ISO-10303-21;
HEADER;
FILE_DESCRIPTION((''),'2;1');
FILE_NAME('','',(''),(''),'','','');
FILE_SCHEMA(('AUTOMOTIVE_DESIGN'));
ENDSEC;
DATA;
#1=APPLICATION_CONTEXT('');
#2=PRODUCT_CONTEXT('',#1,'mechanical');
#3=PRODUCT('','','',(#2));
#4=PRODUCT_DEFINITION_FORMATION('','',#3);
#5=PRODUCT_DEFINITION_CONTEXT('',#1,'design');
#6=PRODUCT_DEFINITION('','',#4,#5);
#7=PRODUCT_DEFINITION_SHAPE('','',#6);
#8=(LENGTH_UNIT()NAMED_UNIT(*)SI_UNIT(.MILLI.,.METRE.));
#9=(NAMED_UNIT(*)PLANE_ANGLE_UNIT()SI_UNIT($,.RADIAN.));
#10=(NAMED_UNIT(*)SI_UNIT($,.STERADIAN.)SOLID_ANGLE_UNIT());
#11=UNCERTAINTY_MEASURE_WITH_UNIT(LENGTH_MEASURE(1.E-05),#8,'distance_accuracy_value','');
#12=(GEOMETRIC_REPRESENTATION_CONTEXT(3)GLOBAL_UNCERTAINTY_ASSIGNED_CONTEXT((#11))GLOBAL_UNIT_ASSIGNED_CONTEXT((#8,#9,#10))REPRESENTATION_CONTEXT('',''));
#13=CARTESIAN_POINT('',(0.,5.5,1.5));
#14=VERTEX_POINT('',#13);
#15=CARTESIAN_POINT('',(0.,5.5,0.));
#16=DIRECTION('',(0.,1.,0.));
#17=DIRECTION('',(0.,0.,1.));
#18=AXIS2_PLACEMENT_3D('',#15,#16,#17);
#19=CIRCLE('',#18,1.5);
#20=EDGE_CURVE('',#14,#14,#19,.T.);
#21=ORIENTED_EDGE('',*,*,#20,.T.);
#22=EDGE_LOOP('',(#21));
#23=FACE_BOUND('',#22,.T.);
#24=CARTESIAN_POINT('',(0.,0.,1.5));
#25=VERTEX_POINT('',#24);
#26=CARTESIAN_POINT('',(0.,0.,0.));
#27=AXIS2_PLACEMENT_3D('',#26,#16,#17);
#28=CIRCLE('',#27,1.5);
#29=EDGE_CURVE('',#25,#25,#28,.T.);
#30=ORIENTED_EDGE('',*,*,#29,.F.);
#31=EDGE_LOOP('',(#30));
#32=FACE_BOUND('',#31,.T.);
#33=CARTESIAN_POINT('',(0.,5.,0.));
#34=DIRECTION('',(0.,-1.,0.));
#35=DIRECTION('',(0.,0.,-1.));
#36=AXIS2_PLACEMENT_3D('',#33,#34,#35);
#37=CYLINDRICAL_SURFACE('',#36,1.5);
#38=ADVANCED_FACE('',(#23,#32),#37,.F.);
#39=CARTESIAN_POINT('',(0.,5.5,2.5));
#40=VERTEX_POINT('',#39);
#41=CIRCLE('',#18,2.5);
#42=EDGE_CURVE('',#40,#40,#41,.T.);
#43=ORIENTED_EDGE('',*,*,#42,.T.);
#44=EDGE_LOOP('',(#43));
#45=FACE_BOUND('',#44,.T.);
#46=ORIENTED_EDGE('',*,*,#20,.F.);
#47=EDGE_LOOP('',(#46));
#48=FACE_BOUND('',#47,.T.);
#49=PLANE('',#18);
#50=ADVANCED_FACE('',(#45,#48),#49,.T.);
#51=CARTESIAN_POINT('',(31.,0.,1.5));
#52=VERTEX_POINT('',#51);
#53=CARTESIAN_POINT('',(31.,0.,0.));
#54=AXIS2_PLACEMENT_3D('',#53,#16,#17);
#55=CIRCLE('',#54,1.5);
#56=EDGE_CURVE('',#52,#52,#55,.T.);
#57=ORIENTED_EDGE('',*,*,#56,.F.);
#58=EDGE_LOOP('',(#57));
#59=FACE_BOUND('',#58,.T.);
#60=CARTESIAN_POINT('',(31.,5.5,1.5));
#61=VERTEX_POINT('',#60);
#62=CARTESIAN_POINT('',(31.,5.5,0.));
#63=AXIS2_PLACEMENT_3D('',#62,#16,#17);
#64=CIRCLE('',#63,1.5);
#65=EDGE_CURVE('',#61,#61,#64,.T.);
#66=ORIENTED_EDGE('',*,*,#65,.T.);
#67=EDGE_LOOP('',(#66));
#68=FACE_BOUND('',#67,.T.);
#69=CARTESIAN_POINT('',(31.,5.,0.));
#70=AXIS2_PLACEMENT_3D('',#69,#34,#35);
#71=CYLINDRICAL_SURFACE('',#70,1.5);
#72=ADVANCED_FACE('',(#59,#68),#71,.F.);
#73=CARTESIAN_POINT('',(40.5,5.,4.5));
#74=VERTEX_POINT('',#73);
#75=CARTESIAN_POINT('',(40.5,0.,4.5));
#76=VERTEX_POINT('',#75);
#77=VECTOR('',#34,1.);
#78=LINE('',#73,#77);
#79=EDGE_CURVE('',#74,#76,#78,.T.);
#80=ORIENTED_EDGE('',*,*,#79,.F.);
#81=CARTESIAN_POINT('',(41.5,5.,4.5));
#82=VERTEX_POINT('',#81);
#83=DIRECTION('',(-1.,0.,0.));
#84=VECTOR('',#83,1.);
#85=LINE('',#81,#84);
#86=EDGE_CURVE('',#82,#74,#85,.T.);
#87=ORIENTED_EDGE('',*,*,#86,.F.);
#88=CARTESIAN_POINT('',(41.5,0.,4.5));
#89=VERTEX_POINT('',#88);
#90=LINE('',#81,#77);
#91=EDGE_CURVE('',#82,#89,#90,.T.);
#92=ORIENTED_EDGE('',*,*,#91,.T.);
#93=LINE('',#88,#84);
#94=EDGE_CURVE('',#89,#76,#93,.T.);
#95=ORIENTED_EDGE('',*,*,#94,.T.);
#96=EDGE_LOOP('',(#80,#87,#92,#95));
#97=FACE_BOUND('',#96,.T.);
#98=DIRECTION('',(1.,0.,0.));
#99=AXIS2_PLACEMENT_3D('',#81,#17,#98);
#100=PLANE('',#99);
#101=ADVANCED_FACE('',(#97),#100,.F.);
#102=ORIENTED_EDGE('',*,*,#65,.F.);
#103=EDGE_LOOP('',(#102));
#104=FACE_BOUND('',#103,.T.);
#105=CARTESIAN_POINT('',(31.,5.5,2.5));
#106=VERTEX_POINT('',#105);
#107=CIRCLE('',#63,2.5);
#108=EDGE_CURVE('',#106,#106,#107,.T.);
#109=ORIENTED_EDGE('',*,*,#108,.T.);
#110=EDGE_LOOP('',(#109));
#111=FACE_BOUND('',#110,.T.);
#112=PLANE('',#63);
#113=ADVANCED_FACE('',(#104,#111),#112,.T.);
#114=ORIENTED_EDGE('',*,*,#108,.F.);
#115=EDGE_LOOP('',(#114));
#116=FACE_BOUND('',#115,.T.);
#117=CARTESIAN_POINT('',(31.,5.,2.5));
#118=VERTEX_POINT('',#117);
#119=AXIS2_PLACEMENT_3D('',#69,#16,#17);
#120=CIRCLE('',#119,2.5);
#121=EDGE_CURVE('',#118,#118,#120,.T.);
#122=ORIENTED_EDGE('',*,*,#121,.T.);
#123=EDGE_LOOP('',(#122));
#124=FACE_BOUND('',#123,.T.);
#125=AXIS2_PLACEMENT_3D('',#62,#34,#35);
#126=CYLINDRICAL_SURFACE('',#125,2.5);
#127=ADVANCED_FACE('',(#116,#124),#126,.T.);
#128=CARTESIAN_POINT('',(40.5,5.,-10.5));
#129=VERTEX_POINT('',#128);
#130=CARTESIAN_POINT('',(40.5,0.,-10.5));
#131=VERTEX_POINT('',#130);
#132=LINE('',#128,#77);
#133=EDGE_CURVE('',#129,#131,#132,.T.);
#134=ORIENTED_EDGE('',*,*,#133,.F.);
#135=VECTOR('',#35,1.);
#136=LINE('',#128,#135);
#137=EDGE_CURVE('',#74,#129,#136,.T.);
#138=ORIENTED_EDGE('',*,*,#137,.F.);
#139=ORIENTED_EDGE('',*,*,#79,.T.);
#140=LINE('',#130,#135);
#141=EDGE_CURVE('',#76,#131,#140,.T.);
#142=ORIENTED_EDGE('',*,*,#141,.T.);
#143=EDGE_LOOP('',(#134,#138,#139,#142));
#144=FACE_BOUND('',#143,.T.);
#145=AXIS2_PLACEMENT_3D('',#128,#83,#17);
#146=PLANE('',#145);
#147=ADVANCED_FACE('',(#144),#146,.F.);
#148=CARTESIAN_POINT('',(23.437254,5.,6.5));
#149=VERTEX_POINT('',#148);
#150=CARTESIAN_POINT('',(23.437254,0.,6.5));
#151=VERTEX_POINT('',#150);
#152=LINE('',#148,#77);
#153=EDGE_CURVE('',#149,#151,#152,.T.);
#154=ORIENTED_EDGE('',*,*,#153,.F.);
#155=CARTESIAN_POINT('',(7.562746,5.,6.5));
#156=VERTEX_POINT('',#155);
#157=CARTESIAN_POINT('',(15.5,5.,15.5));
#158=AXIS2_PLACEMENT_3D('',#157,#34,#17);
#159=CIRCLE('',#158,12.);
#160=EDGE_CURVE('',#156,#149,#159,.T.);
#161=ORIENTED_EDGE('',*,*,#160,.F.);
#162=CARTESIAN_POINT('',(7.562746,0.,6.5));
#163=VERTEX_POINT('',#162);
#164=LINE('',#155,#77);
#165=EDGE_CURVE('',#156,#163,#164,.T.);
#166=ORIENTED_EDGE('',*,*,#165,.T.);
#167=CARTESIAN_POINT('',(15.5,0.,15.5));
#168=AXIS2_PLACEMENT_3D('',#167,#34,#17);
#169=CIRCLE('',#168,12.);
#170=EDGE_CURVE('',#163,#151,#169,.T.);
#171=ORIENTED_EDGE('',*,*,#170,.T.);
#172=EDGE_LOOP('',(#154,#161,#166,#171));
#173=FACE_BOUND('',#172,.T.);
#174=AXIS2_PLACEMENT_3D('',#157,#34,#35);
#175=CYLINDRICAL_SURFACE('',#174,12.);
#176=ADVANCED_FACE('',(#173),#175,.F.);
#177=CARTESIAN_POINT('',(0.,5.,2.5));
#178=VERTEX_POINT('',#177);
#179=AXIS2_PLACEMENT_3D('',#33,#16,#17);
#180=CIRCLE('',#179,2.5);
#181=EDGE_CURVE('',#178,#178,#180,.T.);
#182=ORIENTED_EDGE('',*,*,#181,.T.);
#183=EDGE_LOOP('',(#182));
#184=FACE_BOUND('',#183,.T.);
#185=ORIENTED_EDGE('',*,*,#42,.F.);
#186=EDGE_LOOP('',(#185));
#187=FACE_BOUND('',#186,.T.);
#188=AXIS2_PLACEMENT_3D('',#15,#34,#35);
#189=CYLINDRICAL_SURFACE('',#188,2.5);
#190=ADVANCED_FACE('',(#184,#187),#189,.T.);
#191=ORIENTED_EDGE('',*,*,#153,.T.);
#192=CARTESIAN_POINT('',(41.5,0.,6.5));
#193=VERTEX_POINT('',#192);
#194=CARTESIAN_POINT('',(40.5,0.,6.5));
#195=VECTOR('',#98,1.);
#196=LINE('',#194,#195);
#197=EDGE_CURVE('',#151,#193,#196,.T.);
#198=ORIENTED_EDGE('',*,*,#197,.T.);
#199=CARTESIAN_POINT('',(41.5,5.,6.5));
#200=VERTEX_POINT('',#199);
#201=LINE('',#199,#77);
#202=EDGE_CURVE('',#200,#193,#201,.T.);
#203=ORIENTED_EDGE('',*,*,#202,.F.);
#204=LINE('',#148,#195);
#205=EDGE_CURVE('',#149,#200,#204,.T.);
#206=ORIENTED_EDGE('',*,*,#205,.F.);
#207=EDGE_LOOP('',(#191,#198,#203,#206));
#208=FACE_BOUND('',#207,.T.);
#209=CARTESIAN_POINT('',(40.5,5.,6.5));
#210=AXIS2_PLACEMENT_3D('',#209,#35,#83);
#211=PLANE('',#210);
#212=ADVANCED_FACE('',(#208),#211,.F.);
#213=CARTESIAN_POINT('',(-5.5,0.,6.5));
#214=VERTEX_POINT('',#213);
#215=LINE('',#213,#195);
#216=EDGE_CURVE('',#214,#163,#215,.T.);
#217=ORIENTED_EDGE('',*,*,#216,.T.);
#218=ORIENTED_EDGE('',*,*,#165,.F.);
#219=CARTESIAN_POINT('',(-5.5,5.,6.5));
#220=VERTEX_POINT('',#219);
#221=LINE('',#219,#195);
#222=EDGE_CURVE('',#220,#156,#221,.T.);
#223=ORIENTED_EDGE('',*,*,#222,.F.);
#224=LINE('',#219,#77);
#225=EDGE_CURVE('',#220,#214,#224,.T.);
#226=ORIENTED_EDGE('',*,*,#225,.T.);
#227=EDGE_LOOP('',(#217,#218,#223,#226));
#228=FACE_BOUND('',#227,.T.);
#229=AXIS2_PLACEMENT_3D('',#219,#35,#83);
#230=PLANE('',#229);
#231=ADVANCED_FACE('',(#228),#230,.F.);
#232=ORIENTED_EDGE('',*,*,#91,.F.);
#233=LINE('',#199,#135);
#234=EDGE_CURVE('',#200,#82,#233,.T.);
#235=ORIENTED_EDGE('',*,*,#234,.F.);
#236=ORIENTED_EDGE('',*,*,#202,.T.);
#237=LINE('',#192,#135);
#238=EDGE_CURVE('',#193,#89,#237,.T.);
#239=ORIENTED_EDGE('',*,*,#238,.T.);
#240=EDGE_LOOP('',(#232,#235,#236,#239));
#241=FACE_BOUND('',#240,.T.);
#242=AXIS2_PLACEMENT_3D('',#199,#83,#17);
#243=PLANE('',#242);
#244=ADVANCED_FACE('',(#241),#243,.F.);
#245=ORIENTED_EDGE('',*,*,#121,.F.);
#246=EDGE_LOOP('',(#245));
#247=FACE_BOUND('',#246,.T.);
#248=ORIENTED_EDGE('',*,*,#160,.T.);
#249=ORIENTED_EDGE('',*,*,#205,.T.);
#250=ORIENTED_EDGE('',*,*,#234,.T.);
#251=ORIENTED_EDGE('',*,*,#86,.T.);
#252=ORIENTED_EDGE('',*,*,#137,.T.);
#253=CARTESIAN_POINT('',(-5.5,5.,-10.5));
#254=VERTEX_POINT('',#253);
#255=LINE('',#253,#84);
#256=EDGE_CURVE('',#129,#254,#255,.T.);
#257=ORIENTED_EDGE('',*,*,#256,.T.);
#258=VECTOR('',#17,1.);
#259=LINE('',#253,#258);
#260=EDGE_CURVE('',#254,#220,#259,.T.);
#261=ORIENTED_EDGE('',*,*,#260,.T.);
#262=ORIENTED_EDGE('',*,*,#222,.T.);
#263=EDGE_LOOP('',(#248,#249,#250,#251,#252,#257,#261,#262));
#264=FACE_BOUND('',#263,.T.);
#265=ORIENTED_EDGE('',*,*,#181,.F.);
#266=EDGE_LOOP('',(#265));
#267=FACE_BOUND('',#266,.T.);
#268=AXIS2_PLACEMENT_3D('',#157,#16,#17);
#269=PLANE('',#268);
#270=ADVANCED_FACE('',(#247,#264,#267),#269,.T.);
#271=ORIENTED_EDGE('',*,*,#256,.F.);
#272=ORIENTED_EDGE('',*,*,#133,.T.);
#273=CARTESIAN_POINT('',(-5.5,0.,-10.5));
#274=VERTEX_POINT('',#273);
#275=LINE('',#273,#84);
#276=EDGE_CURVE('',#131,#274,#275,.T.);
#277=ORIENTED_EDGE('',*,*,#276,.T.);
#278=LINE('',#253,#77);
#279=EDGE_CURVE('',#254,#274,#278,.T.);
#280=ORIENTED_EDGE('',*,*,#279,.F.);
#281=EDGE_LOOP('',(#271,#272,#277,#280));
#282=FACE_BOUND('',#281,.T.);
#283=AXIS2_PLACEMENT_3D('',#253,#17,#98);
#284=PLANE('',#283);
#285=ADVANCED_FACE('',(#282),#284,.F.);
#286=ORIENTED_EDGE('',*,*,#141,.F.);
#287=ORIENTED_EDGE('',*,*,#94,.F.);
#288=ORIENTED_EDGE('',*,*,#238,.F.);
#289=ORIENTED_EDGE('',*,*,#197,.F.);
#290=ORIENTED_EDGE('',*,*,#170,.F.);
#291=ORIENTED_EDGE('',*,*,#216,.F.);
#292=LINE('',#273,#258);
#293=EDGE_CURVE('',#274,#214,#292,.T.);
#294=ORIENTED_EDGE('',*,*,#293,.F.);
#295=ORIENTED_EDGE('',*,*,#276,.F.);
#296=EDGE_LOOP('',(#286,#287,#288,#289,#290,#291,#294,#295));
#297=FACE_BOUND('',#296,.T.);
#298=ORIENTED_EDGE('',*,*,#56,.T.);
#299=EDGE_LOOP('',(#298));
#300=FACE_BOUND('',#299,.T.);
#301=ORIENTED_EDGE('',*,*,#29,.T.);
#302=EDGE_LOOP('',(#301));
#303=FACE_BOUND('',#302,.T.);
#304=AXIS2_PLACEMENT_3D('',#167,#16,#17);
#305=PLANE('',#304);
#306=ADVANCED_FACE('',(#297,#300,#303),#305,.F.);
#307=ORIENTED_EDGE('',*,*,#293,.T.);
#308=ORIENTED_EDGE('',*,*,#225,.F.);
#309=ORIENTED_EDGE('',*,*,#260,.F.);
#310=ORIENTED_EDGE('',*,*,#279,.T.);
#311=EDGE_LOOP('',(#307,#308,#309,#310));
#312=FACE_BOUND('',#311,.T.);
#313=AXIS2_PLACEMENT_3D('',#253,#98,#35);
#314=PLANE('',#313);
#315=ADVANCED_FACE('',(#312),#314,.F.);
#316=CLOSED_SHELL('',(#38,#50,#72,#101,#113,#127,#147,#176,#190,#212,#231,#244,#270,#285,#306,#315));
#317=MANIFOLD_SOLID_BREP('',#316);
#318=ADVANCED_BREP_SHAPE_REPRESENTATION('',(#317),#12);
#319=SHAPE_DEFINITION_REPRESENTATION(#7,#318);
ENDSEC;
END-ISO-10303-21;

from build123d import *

# Parameters (mm, degrees)
SKETCH1_R           = 1.5
BOSS_EXTRUDE1_DEPTH = 5
SKETCH2_R           = 2.5
SKETCH2_R_2         = 1.5
BOSS_EXTRUDE2_DEPTH = 0.5


with BuildPart() as part:
    # Sketch1 → Boss-Extrude1 (new body)
    with BuildSketch(Plane(origin=(0, 0, 0), x_dir=(1, 0, 0), z_dir=(0, 1, 0))):
        with BuildLine():
            Line((40.5, -6.5), (41.5, -6.5))
            Line((41.5, -6.5), (41.5, -4.5))
            Line((41.5, -4.5), (40.5, -4.5))
            Line((40.5, -4.5), (40.5, 10.5))
            Line((40.5, 10.5), (-5.5, 10.5))
            Line((-5.5, 10.5), (-5.5, -6.5))
            Line((-5.5, -6.5), (7.562746067, -6.5))
            ThreePointArc((7.562746067, -6.5), (15.5, -3.5), (23.437253933, -6.5))
            Line((23.437253933, -6.5), (40.5, -6.5))
        make_face()
        with Locations(Location((0, 0, 0), (0, 0, 270))):
            Circle(SKETCH1_R, mode=Mode.SUBTRACT)
        with Locations(Location((31, 0, 0), (0, 0, 270))):
            Circle(SKETCH1_R, mode=Mode.SUBTRACT)
    extrude(amount=BOSS_EXTRUDE1_DEPTH)

    # Sketch2 → Boss-Extrude2 (add)
    # profile 1 of 2: a face of its own
    with BuildSketch(Plane(origin=(0, 5, 0), x_dir=(1, 0, 0), z_dir=(0, 1, 0))):
        with Locations(Location((0, 0, 0), (0, 0, 270))):
            Circle(SKETCH2_R)
        with Locations(Location((0, 0, 0), (0, 0, 270))):
            Circle(SKETCH2_R_2, mode=Mode.SUBTRACT)
    # profile 2 of 2: a face of its own
    with BuildSketch(Plane(origin=(0, 5, 0), x_dir=(1, 0, 0), z_dir=(0, 1, 0))):
        with Locations(Location((31, 0, 0), (0, 0, 270))):
            Circle(SKETCH2_R)
        with Locations(Location((31, 0, 0), (0, 0, 270))):
            Circle(SKETCH2_R_2, mode=Mode.SUBTRACT)
    extrude(amount=BOSS_EXTRUDE2_DEPTH)


solid = part.part
